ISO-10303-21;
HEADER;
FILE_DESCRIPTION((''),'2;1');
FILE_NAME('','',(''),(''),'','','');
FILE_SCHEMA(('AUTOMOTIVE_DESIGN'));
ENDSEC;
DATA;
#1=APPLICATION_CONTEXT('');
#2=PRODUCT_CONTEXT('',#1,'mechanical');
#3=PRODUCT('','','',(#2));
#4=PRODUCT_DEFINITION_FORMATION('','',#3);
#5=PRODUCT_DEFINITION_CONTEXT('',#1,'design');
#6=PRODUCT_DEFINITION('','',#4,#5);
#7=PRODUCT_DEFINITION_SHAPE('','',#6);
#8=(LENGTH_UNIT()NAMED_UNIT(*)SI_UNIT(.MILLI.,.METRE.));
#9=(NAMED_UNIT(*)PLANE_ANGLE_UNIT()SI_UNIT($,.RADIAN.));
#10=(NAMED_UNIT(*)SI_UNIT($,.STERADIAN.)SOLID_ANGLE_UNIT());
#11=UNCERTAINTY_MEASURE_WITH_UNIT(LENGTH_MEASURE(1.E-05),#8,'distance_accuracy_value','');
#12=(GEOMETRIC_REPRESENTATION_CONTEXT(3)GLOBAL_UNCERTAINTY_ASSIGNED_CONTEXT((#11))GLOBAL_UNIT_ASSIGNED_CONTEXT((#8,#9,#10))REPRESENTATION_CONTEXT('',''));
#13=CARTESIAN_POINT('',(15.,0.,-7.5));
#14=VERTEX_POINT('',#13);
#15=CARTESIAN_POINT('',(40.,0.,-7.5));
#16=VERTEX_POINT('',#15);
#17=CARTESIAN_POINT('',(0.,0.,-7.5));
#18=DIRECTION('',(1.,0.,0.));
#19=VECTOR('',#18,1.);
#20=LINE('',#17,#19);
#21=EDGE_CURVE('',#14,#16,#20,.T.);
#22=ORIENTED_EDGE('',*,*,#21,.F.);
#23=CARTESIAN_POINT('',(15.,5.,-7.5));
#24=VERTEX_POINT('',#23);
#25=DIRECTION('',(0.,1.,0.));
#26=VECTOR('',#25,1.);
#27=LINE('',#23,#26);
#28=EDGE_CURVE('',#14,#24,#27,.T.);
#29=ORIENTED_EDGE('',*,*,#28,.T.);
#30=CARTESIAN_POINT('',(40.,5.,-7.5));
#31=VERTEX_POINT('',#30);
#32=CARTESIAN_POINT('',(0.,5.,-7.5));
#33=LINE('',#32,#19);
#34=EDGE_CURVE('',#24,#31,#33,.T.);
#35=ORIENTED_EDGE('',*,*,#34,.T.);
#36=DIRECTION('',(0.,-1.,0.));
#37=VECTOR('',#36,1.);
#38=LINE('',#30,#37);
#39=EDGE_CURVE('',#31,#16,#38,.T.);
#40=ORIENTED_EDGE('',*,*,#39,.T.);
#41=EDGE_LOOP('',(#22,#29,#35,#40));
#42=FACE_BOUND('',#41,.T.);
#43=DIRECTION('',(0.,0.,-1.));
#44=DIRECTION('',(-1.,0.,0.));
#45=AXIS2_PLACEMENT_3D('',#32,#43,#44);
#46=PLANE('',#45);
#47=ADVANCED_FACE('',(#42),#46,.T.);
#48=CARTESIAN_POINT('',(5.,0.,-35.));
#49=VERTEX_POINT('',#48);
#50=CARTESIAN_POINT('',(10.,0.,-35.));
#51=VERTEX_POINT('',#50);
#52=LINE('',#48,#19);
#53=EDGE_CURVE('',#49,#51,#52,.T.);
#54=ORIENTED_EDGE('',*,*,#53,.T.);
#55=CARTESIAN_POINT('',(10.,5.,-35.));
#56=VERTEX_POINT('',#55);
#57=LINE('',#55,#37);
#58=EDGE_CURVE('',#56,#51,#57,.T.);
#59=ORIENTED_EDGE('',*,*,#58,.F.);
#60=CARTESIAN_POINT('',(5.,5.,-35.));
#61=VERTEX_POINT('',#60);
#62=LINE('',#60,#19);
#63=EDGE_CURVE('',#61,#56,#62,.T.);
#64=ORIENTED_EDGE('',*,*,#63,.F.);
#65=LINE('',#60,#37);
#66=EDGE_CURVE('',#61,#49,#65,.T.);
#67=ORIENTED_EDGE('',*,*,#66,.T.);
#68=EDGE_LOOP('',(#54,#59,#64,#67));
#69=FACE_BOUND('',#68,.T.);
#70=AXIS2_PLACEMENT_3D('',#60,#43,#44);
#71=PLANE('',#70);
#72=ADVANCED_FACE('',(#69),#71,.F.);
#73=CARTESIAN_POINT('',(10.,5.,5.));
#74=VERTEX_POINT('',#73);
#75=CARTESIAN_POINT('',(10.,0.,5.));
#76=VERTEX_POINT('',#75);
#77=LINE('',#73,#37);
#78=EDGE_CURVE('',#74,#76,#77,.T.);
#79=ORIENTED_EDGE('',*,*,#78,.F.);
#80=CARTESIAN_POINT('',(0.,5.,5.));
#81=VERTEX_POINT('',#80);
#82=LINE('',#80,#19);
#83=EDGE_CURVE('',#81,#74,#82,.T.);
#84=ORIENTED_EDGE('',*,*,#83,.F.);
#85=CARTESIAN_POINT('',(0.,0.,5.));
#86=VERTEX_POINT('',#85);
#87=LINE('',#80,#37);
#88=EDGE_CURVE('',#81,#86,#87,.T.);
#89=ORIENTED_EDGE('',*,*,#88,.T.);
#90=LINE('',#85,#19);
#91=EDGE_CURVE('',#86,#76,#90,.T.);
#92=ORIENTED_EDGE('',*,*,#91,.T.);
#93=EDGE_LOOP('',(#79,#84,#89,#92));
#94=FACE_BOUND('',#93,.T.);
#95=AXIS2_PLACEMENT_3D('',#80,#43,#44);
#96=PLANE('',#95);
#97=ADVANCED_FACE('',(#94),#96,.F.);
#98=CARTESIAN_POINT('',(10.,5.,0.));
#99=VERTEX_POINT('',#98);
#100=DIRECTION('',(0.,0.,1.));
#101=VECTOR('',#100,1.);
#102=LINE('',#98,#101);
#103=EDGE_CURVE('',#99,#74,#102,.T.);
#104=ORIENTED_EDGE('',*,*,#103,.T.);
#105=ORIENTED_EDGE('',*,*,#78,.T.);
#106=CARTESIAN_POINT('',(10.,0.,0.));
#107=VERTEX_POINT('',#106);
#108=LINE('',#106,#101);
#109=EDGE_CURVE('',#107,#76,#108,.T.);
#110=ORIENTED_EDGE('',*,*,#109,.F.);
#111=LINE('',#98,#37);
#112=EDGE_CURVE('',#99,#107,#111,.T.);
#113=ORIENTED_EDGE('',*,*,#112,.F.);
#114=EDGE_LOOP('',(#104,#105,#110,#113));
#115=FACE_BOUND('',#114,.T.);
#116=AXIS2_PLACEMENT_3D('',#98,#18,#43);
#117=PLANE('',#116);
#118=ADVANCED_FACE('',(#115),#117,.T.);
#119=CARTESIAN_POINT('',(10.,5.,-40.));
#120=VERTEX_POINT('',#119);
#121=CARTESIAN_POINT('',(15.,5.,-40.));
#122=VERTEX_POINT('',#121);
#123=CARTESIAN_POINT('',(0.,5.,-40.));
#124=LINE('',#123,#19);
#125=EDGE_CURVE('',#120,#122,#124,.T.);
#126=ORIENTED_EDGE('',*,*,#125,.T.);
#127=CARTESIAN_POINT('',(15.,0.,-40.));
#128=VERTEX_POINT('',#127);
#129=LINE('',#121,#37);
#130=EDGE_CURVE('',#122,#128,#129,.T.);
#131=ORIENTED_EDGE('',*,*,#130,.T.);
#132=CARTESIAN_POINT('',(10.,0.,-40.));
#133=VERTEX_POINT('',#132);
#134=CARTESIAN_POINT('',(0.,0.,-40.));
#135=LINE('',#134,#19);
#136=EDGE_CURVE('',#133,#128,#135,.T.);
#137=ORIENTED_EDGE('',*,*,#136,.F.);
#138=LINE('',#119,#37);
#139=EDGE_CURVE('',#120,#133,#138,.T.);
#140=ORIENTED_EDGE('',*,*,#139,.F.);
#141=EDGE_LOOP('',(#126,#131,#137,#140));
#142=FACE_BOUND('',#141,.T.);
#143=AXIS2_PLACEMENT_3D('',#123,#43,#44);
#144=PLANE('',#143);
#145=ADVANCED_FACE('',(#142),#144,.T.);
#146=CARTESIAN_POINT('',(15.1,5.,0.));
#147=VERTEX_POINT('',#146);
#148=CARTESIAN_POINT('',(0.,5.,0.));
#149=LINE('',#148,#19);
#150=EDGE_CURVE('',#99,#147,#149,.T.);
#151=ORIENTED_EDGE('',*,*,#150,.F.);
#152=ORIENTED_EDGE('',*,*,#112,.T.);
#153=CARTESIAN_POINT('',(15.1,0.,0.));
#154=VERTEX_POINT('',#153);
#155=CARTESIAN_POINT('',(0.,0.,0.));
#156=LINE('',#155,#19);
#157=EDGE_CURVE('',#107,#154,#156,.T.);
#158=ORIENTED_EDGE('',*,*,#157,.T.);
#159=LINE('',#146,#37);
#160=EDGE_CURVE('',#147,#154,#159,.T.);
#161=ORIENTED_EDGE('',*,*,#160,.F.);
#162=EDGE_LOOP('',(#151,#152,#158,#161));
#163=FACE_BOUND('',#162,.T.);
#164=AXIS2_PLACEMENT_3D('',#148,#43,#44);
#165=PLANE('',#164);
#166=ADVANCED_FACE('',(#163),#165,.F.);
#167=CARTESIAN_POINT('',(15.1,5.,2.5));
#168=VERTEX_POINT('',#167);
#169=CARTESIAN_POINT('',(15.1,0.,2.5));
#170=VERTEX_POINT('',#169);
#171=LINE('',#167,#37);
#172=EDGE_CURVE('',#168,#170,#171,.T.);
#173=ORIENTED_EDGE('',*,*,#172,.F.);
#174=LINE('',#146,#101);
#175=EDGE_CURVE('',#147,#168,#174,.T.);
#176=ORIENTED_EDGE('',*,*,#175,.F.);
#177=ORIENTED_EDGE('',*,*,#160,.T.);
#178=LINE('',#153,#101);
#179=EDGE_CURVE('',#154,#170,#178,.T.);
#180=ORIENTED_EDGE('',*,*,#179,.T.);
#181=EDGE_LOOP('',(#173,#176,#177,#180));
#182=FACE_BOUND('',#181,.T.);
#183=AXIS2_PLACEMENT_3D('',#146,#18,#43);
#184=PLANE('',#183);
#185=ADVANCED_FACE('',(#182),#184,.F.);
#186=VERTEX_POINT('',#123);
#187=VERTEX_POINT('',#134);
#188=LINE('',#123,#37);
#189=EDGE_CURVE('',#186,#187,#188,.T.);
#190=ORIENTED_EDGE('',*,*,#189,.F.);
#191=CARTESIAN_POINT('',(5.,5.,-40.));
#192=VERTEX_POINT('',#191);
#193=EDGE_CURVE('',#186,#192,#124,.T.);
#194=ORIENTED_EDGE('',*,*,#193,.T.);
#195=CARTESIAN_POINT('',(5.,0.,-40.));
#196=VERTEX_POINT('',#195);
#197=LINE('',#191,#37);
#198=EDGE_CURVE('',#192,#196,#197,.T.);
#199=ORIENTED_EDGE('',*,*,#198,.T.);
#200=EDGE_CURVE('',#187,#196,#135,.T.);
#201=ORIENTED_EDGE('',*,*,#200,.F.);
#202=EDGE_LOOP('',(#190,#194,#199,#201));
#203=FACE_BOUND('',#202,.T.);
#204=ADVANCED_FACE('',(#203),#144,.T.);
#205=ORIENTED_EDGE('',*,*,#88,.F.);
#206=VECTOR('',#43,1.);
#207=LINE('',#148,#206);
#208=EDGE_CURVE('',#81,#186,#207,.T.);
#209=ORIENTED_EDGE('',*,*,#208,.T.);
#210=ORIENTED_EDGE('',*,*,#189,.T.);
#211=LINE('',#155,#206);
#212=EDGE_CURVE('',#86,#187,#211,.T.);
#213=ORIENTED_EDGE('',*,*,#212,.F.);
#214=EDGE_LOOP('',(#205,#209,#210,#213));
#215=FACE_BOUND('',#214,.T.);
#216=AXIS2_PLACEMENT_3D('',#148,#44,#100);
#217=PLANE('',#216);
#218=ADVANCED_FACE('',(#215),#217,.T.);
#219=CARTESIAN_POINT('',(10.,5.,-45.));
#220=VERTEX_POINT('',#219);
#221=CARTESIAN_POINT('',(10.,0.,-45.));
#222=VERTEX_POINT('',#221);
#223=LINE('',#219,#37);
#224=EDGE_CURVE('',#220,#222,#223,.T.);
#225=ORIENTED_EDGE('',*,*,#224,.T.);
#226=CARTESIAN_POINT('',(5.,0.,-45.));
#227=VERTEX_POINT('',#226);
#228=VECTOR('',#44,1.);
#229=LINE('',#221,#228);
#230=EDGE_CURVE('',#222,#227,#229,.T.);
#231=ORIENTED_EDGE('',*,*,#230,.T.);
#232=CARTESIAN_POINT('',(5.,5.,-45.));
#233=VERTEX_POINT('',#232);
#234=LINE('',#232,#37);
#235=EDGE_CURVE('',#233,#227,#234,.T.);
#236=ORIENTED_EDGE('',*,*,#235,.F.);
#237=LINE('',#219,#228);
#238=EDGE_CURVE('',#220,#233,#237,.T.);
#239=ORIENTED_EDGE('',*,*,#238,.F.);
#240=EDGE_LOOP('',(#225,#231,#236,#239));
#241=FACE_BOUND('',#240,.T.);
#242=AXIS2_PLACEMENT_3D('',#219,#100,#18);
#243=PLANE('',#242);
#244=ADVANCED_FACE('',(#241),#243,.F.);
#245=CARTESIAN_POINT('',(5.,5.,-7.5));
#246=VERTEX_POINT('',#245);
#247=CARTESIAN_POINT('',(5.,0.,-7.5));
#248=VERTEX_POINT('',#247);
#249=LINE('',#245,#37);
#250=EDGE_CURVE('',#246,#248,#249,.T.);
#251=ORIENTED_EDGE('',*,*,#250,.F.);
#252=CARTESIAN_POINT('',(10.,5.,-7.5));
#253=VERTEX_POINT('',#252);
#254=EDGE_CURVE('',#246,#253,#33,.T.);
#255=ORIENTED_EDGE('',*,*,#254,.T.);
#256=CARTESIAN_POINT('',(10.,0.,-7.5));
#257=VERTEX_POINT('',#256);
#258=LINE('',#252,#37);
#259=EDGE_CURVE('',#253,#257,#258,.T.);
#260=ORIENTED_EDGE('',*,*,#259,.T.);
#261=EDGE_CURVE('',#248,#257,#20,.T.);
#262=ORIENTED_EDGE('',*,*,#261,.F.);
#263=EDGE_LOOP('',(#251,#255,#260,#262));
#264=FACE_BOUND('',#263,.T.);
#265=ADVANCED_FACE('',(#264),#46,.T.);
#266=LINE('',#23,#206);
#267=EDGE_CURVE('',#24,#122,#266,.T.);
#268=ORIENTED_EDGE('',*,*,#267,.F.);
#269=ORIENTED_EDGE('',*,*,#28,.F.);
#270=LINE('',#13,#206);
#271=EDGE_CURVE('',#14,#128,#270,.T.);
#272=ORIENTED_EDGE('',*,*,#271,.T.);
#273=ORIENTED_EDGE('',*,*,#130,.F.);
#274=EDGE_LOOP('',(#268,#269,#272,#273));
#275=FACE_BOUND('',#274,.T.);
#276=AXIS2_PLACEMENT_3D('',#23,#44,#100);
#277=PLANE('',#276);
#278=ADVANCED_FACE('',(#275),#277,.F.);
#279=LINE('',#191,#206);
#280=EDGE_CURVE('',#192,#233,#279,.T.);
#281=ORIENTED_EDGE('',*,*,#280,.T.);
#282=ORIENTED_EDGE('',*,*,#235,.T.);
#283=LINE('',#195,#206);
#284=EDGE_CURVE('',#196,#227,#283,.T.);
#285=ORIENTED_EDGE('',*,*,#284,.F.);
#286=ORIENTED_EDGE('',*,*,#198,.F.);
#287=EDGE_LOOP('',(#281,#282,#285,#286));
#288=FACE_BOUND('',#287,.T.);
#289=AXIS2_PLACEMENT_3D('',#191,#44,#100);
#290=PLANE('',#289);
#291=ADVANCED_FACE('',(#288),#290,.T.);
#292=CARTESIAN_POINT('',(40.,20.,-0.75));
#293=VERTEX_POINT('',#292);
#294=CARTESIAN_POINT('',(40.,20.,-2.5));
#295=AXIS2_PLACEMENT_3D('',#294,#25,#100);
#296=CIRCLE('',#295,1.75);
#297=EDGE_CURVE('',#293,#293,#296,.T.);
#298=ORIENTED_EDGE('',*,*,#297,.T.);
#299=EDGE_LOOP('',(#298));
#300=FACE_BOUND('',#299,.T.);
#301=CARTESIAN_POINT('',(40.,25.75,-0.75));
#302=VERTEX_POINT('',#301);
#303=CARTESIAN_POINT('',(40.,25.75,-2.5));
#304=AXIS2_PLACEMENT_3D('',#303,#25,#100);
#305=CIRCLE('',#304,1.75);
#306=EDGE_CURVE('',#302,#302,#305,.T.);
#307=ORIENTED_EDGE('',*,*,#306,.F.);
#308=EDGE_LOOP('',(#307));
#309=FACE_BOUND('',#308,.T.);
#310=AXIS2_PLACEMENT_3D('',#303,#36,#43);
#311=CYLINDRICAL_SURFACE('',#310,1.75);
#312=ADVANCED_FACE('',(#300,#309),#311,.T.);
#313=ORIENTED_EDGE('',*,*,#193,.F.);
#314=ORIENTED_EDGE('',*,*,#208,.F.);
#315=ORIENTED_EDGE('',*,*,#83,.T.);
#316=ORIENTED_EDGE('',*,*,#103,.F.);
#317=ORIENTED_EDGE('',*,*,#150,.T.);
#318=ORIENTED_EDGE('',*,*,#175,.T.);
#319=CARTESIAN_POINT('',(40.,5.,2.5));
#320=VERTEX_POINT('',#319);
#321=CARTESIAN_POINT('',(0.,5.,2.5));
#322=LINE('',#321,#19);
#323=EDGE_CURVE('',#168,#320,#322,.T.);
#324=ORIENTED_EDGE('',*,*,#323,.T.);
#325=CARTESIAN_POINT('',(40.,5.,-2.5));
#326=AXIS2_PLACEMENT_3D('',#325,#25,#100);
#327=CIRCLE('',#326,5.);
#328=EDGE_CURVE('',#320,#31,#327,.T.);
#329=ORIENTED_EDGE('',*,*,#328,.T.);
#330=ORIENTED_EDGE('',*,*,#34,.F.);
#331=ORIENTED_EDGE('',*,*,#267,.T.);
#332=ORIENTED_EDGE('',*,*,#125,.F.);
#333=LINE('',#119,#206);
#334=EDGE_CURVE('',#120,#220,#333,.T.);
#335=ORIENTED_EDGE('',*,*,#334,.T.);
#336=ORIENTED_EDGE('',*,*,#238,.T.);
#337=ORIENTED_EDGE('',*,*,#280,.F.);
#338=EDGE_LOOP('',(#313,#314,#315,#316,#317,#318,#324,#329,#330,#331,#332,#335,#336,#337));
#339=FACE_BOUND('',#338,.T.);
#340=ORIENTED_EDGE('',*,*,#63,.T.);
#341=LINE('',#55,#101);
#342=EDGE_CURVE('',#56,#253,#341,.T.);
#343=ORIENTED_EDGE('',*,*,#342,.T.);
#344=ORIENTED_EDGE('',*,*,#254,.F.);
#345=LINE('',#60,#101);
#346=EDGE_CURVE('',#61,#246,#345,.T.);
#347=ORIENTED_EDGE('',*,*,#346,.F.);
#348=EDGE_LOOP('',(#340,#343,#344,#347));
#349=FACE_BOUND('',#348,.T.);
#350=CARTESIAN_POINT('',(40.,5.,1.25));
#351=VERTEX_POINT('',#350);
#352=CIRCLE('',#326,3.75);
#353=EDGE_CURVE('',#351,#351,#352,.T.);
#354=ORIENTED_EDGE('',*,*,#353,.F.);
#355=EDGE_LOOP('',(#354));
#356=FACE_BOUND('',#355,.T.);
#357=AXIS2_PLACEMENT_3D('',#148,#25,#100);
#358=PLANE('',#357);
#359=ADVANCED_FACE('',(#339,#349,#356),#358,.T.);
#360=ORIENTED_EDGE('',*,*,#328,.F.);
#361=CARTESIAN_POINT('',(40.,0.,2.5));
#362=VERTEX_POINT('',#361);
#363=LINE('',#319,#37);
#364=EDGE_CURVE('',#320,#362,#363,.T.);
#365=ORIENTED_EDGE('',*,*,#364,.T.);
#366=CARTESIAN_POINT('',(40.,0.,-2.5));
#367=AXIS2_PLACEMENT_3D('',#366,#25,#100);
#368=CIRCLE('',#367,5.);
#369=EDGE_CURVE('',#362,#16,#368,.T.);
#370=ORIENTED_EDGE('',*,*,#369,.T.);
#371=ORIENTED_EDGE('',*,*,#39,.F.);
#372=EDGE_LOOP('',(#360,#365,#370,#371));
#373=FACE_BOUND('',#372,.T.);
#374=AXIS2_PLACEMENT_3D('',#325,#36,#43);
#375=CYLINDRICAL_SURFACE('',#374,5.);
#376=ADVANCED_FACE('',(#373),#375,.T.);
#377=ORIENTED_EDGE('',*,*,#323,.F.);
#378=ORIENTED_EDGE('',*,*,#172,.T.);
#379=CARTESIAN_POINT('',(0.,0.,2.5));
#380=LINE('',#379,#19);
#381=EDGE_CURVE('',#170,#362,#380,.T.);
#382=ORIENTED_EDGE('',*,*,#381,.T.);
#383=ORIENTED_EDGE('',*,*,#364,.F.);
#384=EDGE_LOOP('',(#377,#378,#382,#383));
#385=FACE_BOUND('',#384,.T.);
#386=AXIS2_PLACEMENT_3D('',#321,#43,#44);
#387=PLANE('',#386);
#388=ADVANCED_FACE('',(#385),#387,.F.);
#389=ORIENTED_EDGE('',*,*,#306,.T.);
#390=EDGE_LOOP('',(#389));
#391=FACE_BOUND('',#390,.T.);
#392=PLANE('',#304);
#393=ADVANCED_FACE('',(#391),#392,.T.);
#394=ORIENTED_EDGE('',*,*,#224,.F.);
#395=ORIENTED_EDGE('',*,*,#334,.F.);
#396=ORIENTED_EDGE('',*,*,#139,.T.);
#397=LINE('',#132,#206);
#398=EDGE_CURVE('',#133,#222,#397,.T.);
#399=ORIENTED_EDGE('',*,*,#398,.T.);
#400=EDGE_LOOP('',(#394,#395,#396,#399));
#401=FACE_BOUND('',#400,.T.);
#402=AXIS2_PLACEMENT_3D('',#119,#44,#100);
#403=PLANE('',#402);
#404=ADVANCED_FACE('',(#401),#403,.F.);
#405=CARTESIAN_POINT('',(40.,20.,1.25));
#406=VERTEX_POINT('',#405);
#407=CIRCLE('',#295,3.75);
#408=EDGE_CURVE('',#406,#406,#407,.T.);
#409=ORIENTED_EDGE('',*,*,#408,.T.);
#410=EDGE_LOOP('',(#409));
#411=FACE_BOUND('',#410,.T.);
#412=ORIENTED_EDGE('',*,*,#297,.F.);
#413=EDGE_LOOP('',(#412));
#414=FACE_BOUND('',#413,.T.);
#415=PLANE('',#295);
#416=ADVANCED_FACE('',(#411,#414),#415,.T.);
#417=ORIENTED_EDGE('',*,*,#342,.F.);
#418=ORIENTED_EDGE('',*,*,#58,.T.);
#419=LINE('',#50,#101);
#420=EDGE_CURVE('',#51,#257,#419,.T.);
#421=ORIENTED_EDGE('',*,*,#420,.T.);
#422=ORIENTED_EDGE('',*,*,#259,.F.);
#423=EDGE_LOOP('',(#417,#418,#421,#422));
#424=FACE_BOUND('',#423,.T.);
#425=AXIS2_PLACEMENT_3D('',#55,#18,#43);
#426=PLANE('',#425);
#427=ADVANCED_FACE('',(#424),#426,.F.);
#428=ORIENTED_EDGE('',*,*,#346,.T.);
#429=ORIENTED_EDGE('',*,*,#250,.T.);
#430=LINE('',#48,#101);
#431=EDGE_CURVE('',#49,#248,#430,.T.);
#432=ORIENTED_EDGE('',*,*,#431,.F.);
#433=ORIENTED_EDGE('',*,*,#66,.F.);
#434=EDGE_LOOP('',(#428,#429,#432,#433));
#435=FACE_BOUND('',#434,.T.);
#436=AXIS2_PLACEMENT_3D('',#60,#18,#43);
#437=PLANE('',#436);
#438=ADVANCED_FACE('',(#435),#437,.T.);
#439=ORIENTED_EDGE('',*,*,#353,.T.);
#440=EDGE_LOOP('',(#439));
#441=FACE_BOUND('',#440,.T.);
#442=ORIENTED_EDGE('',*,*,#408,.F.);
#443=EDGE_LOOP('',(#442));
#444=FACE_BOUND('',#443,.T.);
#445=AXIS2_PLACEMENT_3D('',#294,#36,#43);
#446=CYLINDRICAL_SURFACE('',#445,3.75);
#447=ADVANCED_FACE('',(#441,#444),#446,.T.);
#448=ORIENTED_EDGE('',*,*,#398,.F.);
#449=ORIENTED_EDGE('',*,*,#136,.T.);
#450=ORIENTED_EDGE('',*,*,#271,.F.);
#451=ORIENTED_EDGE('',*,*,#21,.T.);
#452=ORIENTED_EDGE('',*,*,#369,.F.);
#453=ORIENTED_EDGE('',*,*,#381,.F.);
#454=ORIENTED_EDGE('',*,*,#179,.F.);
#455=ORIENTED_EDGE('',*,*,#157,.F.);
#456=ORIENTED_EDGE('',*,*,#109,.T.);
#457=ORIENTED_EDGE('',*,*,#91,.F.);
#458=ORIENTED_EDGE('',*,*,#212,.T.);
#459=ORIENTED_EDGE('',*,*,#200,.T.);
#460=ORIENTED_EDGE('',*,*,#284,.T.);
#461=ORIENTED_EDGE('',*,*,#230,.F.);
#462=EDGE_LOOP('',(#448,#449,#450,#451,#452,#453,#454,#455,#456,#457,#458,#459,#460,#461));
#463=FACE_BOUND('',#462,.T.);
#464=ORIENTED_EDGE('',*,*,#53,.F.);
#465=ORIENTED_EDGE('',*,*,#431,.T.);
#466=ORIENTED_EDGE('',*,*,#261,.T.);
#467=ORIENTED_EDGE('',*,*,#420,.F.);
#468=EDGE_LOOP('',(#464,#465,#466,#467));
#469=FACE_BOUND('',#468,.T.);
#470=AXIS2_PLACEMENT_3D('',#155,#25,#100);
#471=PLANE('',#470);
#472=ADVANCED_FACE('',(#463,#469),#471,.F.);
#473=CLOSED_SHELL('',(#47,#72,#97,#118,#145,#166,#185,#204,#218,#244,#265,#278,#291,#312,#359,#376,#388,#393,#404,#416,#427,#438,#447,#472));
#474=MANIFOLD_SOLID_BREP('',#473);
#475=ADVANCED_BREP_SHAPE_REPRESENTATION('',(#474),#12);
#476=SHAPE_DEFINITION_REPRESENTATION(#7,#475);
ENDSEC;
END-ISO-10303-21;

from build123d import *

# Parameters (mm, degrees)
SKETCH2_W           = 5
SKETCH2_H           = 27.5
BOSS_EXTRUDE1_DEPTH = 5
SKETCH3_R           = 3.75
BOSS_EXTRUDE2_DEPTH = 15
SKETCH4_R           = 1.75
BOSS_EXTRUDE3_DEPTH = 5.75


with BuildPart() as part:
    # Sketch2 → Boss-Extrude1 (new body)
    with BuildSketch(Plane(origin=(0, 0, 0), x_dir=(1, 0, 0), z_dir=(0, 1, 0))):
        with BuildLine():
            Line((0, 40), (0, -5))
            Line((0, -5), (10, -5))
            Line((10, -5), (10, 0))
            Line((10, 0), (15.1, 0))
            Line((15.1, 0), (15.1, -2.5))
            Line((15.1, -2.5), (40, -2.5))
            ThreePointArc((40, -2.5), (45, 2.5), (40, 7.5))
            Line((40, 7.5), (15, 7.5))
            Line((15, 7.5), (15, 21.207579156))
            Line((15, 21.207579156), (15, 40))
            Line((15, 40), (10, 40))
            Line((10, 40), (10, 45))
            Line((10, 45), (5, 45))
            Line((5, 45), (5, 40))
            Line((5, 40), (0, 40))
        make_face()
        with Locations((7.5, 21.25)):
            Rectangle(SKETCH2_W, SKETCH2_H, mode=Mode.SUBTRACT)
    extrude(amount=BOSS_EXTRUDE1_DEPTH)

    # Sketch3 → Boss-Extrude2 (add)
    with BuildSketch(Plane(origin=(0, 5, 0), x_dir=(1, 0, 0), z_dir=(0, 1, 0))):
        with Locations(Location((40, 2.5, 0), (0, 0, 270))):
            Circle(SKETCH3_R)
    extrude(amount=BOSS_EXTRUDE2_DEPTH)

    # Sketch4 → Boss-Extrude3 (add)
    with BuildSketch(Plane(origin=(0, 20, 0), x_dir=(1, 0, 0), z_dir=(0, 1, 0))):
        with Locations(Location((40, 2.5, 0), (0, 0, 270))):
            Circle(SKETCH4_R)
    extrude(amount=BOSS_EXTRUDE3_DEPTH)


solid = part.part
